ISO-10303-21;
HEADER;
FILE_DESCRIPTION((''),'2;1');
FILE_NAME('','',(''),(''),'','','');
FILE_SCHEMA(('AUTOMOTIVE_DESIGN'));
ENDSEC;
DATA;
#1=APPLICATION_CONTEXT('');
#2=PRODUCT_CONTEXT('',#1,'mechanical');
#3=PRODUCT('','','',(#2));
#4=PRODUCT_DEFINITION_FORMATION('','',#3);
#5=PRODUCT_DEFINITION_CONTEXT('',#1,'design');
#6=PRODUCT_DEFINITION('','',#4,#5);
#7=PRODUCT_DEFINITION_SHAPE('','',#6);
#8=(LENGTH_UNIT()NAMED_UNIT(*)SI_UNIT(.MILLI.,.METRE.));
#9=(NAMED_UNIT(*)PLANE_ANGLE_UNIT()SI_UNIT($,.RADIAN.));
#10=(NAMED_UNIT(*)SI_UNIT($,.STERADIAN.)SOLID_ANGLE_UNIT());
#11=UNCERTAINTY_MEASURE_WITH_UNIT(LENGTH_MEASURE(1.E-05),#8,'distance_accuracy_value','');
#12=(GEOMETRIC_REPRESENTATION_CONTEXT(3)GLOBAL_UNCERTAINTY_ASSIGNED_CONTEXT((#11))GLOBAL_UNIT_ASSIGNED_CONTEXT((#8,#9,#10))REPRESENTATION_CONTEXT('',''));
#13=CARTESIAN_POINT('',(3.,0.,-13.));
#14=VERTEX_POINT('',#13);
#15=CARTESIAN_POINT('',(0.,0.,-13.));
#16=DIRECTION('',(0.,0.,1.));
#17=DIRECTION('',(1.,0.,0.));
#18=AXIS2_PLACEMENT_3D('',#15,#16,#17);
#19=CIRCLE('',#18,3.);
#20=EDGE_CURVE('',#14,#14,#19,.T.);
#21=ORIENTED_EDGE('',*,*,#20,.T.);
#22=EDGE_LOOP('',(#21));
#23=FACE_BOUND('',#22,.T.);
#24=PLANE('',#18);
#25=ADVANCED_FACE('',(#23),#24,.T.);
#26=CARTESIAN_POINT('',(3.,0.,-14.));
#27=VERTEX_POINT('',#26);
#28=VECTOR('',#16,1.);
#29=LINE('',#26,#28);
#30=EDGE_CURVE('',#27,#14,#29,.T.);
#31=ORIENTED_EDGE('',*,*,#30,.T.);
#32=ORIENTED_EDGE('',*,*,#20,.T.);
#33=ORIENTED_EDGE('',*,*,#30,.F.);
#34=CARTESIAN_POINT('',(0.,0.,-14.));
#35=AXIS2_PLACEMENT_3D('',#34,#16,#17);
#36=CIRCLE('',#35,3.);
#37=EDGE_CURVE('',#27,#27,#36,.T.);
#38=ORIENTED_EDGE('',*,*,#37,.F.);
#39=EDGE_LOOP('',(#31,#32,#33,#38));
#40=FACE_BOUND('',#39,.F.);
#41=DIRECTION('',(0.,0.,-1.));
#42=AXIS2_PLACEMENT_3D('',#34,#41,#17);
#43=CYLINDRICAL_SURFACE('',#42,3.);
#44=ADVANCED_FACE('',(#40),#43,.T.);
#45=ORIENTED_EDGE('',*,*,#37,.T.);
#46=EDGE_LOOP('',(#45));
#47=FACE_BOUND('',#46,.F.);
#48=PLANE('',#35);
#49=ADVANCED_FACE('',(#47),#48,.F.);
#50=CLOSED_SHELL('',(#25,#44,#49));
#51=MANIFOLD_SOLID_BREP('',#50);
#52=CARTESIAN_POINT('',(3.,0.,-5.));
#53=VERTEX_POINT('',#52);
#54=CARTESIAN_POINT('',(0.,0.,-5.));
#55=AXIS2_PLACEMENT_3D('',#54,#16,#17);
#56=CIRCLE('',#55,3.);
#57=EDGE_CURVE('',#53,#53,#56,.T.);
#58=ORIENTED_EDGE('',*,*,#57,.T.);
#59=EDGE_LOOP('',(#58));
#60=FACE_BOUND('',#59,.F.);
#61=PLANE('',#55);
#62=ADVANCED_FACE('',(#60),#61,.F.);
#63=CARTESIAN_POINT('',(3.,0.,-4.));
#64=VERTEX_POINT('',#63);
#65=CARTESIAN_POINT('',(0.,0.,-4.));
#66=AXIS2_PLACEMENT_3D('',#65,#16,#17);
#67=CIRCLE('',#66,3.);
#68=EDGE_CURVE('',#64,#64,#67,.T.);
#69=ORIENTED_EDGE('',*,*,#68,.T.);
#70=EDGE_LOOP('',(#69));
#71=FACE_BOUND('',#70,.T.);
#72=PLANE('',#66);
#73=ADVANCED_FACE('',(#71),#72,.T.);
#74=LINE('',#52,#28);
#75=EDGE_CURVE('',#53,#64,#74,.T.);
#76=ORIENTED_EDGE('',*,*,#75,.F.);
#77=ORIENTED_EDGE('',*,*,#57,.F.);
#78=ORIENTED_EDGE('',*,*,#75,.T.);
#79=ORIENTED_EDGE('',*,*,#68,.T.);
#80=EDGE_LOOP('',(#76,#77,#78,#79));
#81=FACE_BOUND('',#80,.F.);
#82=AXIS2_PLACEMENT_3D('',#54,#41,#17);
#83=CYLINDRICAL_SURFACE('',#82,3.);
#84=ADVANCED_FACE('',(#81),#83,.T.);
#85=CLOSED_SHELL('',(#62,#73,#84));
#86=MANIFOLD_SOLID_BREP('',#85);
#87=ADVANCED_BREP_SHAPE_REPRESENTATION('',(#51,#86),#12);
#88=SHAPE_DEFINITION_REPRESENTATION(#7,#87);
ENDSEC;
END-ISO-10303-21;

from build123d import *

# Parameters (mm, degrees)
CYLINDER088_R     = 3
CYLINDER088_DEPTH = 1
CYLINDER089_R     = 3
CYLINDER089_DEPTH = 1


with BuildPart() as cylinder082:
    # Cylinder088 → Cylinder088 (new body)
    with BuildSketch(Plane.XY.offset(-5)):
        Circle(CYLINDER088_R)
    extrude(amount=CYLINDER088_DEPTH)


with BuildPart() as fusion103077013004017009:
    # Cylinder089 → Cylinder089 (new body)
    with BuildSketch(Plane.XY.offset(-14)):
        Circle(CYLINDER089_R)
    extrude(amount=CYLINDER089_DEPTH)

    # Fusion103077013004017009: union Cylinder082
    add(cylinder082.part)


solid = fusion103077013004017009.part
